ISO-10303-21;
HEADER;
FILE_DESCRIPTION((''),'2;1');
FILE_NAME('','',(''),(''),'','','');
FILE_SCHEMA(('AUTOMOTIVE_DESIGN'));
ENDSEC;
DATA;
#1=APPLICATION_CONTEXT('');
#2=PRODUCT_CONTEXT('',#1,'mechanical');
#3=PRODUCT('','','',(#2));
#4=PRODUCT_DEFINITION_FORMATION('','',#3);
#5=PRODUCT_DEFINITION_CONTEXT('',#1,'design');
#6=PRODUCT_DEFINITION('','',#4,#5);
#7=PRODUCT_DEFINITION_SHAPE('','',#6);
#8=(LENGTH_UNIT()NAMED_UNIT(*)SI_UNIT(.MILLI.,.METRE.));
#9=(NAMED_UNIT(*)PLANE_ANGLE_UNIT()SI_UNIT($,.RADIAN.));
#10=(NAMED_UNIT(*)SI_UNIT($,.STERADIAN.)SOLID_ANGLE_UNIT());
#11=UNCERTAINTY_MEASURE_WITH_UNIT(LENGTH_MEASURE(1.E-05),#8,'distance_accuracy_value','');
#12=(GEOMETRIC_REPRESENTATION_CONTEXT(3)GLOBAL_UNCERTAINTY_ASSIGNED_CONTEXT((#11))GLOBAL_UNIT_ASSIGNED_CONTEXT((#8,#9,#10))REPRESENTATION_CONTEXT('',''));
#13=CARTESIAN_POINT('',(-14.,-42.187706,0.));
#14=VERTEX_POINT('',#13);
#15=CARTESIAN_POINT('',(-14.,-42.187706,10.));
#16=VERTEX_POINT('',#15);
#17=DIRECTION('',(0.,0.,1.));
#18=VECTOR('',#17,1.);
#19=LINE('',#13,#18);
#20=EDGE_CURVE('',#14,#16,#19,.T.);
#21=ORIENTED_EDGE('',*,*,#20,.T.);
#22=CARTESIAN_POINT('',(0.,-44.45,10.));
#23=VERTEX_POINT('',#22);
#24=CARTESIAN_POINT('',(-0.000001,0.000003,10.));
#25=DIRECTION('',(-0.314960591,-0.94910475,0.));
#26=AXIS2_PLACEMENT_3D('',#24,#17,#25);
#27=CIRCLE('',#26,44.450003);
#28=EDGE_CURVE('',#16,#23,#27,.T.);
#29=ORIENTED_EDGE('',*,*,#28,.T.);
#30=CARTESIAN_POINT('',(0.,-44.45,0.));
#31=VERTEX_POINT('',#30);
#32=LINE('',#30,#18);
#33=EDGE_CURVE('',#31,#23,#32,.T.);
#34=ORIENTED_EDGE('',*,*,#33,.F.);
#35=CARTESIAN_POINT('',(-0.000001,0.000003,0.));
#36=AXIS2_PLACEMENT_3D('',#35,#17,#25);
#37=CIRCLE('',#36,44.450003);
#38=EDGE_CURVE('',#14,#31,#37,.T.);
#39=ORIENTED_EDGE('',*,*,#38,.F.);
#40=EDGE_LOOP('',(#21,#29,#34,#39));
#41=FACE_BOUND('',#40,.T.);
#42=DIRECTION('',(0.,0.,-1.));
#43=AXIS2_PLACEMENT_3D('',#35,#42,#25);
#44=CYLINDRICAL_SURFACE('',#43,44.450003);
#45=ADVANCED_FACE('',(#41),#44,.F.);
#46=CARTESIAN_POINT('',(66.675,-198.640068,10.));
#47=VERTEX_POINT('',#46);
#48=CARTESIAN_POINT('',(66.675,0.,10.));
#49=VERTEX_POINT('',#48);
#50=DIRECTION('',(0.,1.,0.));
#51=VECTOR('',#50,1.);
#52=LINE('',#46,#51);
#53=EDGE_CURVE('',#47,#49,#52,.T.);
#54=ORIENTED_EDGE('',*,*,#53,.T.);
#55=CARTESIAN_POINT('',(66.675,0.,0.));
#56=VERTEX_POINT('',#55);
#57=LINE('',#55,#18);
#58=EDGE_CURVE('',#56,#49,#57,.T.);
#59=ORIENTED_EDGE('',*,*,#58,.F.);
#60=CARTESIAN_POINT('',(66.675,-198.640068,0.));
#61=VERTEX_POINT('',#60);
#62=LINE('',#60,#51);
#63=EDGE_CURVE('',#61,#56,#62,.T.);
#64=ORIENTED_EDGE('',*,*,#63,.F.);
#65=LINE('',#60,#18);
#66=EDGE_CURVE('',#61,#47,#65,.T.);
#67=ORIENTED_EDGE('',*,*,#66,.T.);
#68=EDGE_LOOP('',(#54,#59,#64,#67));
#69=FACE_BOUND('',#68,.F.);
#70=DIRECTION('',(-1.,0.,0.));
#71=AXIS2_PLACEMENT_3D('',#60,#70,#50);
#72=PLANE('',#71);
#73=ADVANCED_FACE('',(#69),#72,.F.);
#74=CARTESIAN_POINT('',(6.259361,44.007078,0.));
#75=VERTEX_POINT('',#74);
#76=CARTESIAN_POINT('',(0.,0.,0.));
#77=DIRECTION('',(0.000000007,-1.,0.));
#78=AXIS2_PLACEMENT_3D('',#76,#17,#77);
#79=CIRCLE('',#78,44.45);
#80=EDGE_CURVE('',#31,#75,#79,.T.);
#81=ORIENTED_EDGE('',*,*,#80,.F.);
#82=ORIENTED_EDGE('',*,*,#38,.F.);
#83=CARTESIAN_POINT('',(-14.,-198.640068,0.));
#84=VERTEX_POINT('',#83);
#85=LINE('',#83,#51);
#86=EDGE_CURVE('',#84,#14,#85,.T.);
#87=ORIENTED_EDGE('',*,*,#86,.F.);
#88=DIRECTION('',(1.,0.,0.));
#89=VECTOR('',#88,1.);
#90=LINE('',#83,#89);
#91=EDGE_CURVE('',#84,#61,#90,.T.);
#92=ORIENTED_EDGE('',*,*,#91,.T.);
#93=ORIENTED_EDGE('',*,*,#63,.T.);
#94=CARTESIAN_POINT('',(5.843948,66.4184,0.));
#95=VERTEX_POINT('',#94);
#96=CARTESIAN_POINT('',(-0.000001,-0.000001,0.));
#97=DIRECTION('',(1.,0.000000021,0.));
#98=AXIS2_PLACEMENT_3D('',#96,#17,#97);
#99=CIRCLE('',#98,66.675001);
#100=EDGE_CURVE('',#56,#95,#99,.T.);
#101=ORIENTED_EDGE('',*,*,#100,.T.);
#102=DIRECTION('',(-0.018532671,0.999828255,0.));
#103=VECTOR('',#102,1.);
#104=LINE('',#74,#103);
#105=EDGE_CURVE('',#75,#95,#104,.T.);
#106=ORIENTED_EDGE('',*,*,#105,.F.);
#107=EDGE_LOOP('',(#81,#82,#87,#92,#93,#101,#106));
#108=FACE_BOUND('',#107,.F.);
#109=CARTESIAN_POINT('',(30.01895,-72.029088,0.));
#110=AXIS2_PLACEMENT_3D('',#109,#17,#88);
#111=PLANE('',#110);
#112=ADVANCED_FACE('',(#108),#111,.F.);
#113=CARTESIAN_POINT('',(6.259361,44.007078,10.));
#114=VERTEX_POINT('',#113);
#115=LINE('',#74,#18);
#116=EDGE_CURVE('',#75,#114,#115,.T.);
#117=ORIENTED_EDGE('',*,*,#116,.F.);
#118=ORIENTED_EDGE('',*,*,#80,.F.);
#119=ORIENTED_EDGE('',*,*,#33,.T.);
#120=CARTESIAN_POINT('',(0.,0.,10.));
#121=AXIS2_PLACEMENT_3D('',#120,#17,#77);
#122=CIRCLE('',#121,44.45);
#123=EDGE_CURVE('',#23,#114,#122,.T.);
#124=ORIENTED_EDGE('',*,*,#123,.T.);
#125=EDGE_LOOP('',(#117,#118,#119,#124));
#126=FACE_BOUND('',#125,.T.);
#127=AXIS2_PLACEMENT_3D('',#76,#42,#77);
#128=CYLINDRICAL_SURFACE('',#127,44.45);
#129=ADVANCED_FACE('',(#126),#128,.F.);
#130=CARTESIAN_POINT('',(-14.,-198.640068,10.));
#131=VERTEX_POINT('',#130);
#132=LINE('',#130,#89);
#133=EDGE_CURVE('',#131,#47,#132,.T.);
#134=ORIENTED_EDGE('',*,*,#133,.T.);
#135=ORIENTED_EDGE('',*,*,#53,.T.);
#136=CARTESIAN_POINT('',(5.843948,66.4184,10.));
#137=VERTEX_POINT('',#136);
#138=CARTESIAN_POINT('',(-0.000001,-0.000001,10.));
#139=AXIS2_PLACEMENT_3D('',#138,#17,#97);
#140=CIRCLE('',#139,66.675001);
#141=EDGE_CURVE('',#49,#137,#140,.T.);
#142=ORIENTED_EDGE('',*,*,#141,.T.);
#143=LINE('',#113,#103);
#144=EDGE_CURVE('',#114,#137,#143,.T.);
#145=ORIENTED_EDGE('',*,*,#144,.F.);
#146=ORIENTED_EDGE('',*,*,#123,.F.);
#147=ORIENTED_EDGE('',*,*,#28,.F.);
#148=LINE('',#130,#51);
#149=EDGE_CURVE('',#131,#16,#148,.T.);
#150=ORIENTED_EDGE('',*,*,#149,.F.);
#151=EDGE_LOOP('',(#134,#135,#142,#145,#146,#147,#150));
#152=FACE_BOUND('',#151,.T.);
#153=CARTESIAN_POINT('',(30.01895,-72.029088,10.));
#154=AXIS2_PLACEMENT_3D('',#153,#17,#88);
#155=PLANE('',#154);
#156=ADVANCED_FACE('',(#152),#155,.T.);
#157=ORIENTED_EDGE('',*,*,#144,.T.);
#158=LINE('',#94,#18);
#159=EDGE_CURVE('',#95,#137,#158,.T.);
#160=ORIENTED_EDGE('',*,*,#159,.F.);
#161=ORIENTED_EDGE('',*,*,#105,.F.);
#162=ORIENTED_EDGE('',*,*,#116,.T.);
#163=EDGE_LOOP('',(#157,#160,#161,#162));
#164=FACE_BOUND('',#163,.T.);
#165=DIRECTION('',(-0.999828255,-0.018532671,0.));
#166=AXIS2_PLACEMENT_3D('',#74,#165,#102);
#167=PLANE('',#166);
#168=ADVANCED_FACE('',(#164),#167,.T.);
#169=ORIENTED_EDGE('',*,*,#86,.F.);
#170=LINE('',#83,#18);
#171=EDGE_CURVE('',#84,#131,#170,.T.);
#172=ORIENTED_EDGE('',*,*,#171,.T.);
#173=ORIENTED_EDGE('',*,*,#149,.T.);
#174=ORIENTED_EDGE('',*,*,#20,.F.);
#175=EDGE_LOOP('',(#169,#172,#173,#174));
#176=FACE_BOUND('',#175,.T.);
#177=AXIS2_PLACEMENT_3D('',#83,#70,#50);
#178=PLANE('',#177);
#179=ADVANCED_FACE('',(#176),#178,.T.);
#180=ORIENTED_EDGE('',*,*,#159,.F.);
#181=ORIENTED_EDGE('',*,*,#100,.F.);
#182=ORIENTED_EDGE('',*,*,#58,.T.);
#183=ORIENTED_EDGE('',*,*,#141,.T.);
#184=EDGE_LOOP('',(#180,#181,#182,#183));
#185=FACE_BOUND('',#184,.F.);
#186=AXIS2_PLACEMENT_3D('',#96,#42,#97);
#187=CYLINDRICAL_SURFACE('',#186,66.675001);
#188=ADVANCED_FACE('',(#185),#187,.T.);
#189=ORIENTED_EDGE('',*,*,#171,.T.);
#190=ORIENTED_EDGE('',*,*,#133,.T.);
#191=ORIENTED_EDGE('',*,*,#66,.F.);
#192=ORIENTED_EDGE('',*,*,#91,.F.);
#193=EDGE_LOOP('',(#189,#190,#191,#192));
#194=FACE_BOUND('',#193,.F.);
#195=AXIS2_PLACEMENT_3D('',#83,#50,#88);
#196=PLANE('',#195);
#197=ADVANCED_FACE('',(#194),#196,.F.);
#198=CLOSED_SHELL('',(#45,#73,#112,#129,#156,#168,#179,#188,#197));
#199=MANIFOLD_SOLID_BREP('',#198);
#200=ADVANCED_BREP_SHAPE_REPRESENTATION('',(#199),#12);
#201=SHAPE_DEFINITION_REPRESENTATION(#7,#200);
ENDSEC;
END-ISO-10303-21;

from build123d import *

# Parameters (mm, degrees)
PAD_DEPTH = 10


with BuildPart() as part:
    # Sketch → Pad (new body)
    with BuildSketch(Plane.XY):
        with BuildLine():
            Line((66.675, -198.640068), (66.675, 0))
            ThreePointArc((66.675, 0), (49.1691, 45.032823), (5.843948, 66.4184))
            Line((6.259361, 44.007078), (5.843948, 66.4184))
            ThreePointArc((0, -44.45), (44.339131, -3.137506), (6.259361, 44.007078))
            ThreePointArc((-14, -42.187706), (-7.090803, -43.880782), (0, -44.45))
            Line((-14, -198.640068), (-14, -42.187706))
            Line((0, -198.640068), (-14, -198.640068))
            Line((0, -198.640068), (66.675, -198.640068))
        make_face()
    extrude(amount=PAD_DEPTH)


solid = part.part
